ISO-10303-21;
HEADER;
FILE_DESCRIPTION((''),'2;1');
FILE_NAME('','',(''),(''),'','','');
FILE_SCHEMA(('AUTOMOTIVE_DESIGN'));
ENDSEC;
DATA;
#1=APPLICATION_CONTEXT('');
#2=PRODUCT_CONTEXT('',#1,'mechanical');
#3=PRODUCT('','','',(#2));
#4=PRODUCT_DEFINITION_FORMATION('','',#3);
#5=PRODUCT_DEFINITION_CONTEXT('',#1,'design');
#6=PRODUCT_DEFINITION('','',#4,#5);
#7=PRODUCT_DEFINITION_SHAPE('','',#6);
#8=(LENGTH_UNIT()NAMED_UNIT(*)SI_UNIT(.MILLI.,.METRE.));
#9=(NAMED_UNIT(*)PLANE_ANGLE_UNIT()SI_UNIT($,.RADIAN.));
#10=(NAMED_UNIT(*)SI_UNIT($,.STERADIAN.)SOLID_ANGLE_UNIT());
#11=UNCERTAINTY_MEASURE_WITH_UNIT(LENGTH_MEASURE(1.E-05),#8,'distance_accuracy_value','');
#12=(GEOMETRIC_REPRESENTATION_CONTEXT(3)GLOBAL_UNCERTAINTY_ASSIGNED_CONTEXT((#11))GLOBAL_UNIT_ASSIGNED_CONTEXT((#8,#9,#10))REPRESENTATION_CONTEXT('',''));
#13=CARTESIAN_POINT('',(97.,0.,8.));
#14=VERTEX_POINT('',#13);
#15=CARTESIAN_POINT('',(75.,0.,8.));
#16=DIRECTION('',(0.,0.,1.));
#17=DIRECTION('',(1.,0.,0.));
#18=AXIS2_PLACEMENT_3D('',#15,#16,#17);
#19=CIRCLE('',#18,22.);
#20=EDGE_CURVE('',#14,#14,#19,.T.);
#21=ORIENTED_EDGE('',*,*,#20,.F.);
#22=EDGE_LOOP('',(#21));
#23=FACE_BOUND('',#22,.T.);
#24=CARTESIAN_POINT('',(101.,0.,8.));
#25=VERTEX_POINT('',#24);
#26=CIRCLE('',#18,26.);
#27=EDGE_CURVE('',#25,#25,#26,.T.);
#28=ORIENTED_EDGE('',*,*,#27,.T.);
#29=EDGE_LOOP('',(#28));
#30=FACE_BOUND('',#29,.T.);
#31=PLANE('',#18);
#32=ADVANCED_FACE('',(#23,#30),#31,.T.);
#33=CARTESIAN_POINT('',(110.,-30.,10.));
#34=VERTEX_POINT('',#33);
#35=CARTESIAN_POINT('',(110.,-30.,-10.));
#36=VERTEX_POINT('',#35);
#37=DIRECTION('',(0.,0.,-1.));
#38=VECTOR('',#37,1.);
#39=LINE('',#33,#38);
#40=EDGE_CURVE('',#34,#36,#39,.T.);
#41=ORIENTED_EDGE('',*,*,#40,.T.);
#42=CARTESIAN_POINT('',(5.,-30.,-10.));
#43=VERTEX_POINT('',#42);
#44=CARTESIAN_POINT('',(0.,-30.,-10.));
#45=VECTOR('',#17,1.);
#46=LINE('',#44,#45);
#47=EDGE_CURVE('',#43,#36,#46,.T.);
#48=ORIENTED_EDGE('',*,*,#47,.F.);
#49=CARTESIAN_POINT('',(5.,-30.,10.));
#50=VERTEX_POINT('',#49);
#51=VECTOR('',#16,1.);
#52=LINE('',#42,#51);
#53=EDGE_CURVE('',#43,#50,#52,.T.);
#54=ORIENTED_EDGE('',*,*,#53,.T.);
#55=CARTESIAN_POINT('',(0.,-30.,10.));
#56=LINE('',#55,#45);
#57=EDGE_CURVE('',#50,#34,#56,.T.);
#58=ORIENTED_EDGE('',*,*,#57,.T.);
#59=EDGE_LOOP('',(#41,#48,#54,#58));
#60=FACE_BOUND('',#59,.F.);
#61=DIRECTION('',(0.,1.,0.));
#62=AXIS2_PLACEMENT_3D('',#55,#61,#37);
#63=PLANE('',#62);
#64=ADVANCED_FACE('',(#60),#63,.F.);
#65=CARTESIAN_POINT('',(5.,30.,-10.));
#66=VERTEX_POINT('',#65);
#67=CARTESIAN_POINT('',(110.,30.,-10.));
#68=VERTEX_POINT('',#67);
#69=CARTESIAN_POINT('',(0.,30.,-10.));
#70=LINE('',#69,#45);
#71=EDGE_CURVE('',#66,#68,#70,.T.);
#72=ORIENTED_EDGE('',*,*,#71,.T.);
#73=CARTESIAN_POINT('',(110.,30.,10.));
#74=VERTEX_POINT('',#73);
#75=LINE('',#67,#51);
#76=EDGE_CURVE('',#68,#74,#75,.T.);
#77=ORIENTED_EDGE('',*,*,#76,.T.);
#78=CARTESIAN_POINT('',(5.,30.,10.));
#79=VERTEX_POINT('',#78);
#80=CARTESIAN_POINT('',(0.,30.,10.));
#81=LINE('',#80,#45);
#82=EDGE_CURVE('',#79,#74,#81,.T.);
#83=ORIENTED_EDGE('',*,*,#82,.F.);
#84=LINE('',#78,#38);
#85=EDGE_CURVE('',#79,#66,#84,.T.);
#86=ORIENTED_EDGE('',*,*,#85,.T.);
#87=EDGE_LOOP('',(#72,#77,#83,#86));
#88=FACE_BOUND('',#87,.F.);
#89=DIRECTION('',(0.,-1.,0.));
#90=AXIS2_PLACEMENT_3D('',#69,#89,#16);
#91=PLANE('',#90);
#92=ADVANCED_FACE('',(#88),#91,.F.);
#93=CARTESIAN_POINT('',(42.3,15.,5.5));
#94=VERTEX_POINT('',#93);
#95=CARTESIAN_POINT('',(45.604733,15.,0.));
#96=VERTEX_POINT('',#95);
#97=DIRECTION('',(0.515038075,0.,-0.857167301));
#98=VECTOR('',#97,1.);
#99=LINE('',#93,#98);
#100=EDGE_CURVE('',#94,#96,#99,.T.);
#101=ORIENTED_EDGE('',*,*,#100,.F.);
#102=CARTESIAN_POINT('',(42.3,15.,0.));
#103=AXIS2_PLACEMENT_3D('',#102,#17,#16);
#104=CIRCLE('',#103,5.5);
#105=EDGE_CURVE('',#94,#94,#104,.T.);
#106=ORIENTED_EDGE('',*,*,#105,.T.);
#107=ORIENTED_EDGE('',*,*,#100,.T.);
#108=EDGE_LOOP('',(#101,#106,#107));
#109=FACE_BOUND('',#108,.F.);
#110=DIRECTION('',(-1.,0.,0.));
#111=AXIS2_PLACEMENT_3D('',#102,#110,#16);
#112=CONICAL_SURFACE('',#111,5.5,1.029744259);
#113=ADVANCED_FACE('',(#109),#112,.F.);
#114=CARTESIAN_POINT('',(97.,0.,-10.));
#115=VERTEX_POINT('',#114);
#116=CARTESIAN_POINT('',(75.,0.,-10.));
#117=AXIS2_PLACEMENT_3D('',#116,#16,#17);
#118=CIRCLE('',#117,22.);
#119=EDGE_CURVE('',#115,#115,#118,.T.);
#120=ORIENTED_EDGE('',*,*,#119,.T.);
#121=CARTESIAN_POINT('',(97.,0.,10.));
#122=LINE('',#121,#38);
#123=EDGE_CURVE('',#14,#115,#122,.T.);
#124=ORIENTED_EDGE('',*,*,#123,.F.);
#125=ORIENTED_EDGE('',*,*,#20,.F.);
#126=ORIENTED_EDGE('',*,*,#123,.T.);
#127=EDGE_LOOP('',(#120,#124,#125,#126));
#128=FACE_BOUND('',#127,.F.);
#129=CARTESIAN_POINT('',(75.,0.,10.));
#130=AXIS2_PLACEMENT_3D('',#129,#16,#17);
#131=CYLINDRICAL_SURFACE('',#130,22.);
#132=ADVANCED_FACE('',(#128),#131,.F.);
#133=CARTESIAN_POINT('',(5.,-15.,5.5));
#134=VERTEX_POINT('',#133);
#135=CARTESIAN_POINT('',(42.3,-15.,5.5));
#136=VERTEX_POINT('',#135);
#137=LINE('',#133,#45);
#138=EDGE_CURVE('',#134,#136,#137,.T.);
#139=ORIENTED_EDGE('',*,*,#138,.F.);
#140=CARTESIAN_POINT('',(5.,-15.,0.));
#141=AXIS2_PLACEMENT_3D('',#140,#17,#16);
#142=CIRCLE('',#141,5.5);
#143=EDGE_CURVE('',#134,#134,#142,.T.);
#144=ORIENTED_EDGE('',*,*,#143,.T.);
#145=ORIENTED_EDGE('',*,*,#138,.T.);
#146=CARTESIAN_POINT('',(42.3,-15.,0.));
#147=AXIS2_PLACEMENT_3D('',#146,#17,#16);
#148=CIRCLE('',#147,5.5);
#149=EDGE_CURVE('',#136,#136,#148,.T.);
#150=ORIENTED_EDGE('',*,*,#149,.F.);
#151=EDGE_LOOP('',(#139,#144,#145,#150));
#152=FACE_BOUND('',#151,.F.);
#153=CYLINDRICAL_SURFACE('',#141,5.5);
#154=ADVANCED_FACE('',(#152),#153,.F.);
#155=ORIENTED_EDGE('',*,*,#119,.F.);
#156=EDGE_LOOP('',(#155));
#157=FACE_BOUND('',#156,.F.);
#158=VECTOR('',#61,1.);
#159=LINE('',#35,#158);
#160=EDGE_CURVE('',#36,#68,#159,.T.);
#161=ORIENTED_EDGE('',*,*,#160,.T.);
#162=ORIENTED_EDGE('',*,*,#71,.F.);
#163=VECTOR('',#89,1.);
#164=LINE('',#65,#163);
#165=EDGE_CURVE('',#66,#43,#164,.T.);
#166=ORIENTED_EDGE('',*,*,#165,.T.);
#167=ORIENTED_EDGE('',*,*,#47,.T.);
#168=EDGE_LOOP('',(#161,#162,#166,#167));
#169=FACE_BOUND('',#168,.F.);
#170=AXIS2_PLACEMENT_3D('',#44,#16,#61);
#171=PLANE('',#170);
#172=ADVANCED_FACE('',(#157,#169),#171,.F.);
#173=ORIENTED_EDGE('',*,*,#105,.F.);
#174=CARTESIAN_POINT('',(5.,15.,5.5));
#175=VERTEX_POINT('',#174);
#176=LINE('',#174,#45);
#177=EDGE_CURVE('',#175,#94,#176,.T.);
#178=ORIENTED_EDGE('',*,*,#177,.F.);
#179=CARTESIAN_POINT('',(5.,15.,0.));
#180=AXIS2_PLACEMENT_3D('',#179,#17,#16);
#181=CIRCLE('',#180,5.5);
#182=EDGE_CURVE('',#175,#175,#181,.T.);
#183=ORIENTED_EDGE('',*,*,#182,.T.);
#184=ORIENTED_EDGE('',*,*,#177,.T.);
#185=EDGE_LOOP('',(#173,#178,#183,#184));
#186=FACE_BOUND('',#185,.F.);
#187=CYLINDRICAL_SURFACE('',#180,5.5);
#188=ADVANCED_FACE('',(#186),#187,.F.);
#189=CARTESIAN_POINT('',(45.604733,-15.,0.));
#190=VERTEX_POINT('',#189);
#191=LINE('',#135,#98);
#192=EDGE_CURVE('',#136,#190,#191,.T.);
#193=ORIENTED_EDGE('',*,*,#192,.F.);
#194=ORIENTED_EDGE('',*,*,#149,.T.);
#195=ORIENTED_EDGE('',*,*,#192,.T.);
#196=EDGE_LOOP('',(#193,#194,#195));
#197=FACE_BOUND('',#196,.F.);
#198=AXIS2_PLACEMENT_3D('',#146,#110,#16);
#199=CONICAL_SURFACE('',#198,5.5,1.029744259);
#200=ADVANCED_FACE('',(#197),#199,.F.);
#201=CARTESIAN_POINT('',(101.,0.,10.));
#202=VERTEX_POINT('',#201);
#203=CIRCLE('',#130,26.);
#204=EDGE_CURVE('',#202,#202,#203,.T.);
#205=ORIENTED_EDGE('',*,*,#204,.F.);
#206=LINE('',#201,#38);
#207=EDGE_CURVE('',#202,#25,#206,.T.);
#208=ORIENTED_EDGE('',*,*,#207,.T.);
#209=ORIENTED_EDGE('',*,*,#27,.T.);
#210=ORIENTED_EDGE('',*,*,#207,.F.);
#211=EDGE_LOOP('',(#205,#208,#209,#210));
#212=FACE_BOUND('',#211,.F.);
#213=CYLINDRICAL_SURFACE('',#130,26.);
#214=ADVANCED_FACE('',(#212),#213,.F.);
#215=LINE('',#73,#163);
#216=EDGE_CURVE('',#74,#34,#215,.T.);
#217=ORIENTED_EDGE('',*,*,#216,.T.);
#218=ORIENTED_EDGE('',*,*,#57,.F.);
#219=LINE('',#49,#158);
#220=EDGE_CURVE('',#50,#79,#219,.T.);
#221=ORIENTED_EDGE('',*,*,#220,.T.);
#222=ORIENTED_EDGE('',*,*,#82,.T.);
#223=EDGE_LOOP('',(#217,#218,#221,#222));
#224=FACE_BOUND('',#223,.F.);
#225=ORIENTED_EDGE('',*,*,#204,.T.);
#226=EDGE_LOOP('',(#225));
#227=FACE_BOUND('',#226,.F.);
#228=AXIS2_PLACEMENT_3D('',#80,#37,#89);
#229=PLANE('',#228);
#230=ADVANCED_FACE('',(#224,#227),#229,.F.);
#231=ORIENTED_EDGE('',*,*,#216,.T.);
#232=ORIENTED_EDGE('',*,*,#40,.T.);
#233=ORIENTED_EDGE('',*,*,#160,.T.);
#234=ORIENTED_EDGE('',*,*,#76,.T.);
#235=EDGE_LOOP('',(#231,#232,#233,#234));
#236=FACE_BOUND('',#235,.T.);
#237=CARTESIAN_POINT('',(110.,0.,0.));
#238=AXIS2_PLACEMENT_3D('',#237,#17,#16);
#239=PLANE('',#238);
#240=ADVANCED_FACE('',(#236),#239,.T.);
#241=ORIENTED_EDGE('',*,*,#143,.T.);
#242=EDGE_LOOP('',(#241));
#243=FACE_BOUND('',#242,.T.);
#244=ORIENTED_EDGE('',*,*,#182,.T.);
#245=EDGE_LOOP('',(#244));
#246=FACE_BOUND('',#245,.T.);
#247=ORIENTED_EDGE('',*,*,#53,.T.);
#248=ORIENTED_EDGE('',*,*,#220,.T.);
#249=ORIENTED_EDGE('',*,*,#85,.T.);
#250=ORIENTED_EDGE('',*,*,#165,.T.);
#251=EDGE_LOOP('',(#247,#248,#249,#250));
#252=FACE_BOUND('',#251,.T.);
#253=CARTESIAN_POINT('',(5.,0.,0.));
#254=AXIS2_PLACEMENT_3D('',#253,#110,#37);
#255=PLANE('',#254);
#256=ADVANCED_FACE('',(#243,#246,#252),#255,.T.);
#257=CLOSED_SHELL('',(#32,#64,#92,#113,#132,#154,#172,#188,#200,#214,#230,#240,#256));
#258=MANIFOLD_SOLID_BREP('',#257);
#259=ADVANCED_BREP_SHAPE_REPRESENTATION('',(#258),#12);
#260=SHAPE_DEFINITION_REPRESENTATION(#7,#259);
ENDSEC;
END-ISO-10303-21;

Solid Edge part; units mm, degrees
sketch "Sketch1" plane through (0, 0, 0) normal (1, 0, 0) x (0, 1, 0)
  line L0 (-30, -10) -> (30, -10)
  line L1 (30, -10) -> (30, 10)
  line L2 (30, 10) -> (-30, 10)
  line L3 (-30, 10) -> (-30, -10)
extrude "Protrusion1" add sketch "Sketch1" along normal blind 110
sketch "Sketch2" plane through (50, 0, 10) normal (0, 0, 1) x (1, 0, 0)
  circle A0 centre (25, 0) radius 22
extrude "ExtrudedCutout_1" cut sketch "Sketch2" against normal blind 30.1603
sketch "Sketch3" plane through (50, 0, 10) normal (0, 0, 1) x (1, 0, 0)
  circle A0 centre (25, 0) radius 26
extrude "ExtrudedCutout_2" cut sketch "Sketch3" against normal blind 2
sketch "Sketch4" plane through (0, 0, 0) normal (-1, 0, 0) x (0, -1, 0)
  line L0 (30, 10) -> (-30, 10)
  line L1 (-30, 10) -> (-30, -10)
  line L2 (-30, -10) -> (30, -10)
  line L3 (30, -10) -> (30, 10)
extrude "Cutout1" cut sketch "Sketch4" against normal blind 5
hole "Hole_2" at (5, 15, 0) direction (1, 0, 0) diameter 11 depth 37.3 tip angle 118
hole "Hole1" at (5, -15, 0) direction (1, 0, 0) diameter 11 depth 37.3 tip angle 118
properties material "Steel - Stainless:1.4301 , X5CrNi18-10"
